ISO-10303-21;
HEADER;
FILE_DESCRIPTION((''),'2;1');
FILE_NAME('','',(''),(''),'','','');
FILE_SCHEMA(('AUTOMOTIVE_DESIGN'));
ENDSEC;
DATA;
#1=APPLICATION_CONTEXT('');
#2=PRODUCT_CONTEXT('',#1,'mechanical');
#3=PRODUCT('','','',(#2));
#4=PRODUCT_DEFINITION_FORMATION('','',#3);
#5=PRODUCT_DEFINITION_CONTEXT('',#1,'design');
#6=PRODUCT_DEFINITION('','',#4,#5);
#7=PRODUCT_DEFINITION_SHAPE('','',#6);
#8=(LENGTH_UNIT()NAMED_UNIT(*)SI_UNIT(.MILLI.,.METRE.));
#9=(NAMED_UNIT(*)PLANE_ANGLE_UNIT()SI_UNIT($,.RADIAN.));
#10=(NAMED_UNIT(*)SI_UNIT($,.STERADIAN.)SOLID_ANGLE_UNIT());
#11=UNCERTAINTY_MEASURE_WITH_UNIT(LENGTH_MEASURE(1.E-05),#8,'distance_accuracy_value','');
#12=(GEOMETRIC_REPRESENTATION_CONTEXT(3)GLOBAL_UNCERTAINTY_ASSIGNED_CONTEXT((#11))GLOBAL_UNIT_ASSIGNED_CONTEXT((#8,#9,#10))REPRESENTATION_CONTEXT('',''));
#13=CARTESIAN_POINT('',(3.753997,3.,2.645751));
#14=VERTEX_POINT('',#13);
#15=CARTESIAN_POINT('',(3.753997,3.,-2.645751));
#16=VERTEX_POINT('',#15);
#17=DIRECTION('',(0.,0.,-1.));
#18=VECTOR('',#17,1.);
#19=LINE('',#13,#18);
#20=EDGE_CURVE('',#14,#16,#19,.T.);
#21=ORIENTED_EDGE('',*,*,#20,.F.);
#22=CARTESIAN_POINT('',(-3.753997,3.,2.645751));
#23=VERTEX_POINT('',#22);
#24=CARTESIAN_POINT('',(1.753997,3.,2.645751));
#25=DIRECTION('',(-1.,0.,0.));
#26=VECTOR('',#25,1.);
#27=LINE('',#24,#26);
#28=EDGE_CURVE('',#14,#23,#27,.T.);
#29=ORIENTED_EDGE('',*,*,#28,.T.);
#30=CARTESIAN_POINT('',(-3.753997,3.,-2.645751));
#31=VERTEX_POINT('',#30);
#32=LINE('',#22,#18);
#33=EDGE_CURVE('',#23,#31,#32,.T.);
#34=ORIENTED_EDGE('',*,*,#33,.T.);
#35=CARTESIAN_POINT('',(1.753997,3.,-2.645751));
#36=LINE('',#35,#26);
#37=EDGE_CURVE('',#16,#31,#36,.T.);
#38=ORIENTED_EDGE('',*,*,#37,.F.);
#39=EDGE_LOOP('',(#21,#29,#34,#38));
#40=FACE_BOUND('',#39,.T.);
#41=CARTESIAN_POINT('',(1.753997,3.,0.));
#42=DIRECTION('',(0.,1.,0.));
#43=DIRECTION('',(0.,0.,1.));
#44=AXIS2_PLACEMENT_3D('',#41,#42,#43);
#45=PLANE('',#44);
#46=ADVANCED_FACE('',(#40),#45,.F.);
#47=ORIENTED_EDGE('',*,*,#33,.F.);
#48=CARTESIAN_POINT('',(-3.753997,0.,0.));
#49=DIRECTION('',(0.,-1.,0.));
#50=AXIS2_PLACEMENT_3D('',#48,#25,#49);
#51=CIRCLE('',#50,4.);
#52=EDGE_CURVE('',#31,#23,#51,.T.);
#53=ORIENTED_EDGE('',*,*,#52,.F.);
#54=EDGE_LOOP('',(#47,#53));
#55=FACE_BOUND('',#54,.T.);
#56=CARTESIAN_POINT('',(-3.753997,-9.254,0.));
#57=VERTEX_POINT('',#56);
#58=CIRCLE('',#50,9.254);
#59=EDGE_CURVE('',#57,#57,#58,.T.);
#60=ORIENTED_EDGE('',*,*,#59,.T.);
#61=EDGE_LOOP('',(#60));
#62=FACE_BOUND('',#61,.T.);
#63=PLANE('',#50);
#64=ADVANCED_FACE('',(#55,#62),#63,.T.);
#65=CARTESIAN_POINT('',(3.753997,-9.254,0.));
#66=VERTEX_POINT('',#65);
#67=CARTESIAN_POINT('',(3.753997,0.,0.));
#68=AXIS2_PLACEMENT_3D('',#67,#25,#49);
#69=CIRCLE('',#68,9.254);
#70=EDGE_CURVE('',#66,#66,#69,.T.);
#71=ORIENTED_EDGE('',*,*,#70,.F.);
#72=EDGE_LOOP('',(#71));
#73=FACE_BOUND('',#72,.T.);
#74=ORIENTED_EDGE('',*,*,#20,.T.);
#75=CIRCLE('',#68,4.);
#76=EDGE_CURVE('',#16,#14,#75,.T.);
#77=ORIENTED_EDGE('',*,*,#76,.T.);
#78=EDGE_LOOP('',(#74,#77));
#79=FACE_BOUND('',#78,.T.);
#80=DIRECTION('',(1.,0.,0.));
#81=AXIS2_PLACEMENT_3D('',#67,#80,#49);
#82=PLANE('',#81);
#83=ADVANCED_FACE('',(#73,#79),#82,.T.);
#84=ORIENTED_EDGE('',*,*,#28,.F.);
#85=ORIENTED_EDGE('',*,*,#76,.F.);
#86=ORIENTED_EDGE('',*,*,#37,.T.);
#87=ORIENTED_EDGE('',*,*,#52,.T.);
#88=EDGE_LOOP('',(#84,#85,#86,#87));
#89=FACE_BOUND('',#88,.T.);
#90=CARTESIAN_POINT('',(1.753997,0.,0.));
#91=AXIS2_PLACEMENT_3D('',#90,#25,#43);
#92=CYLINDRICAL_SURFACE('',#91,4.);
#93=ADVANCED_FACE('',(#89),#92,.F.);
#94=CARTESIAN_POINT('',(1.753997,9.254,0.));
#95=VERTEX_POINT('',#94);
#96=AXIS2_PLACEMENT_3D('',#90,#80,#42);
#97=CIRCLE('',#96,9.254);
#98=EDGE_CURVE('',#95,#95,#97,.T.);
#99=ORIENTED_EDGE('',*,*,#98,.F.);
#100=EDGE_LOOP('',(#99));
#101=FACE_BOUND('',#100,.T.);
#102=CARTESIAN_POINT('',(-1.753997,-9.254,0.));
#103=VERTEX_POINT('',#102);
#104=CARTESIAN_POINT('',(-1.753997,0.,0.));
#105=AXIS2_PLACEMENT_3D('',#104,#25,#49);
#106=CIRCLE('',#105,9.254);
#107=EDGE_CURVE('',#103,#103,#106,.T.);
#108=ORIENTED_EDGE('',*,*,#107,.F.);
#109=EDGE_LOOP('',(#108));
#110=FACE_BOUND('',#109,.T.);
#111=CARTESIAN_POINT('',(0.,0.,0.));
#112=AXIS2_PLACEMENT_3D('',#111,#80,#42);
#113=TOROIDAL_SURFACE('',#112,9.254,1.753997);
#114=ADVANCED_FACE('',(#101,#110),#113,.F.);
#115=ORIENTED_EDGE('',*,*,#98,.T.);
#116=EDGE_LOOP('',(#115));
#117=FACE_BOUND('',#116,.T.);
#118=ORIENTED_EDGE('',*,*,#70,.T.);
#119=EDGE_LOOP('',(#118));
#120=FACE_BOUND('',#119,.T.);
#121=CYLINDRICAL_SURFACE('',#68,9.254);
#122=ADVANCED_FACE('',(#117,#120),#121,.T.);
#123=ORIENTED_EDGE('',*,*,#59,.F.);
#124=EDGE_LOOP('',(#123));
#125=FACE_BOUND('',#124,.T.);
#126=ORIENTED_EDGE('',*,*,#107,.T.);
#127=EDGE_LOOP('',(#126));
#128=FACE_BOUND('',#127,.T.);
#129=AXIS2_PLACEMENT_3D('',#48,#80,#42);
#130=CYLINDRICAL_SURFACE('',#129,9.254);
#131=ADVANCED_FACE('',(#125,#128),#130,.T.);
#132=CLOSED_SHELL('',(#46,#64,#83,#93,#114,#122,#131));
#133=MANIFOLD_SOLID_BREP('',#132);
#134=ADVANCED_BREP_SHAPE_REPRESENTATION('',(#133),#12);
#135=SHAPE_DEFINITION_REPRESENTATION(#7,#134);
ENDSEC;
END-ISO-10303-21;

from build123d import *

# Parameters (mm, degrees)
CUT_EXTRUDE1_DEPTH  = 14.549134849
BOSS_EXTRUDE1_START = 2
SKETCH5_R           = 9.254000034
BOSS_EXTRUDE1_DEPTH = 2


with BuildPart() as part:
    # Sketch3 → Revolve1 (revolve)
    with BuildSketch(Plane.XY):
        with BuildLine():
            Line((1.753997, 0), (-1.753997, 0))
            Line((-1.753997, 0), (-1.753997, 9.254000034))
            ThreePointArc((-1.753997, 9.254000034), (0, 7.500003034), (1.753997, 9.254000034))
            Line((1.753997, 9.254000034), (1.753997, 0))
        make_face()
    revolve(axis=Axis((1.753997, 0, 0), (-1, 0, 0)))

    # Sketch4 → Cut-Extrude1 (cut, through all)
    with BuildSketch(Plane.ZY.offset(1.753997)):
        with BuildLine():
            Line((0, 3), (-2.645751311, 3))
            ThreePointArc((-2.645751311, 3), (0, -4), (2.645751311, 3))
            Line((2.645751311, 3), (0, 3))
        make_face()
    extrude(amount=-CUT_EXTRUDE1_DEPTH, mode=Mode.SUBTRACT)

    # Sketch5 → Boss-Extrude1 (add)
    with BuildSketch(Plane.ZY.offset(1.753997).offset(BOSS_EXTRUDE1_START)):
        Circle(SKETCH5_R)
        with BuildLine():
            Line((2.645751311, 3), (-2.645751311, 3))
            ThreePointArc((-2.645751311, 3), (0, -4), (2.645751311, 3))
        make_face(mode=Mode.SUBTRACT)
    boss_extrude1 = extrude(amount=-BOSS_EXTRUDE1_DEPTH)

    # Mirror1: Boss-Extrude1 across plane
    add(boss_extrude1.mirror(Plane(origin=(0, 0, 0), x_dir=(0, 0, 1), z_dir=(1, 0, 0))))


solid = part.part
